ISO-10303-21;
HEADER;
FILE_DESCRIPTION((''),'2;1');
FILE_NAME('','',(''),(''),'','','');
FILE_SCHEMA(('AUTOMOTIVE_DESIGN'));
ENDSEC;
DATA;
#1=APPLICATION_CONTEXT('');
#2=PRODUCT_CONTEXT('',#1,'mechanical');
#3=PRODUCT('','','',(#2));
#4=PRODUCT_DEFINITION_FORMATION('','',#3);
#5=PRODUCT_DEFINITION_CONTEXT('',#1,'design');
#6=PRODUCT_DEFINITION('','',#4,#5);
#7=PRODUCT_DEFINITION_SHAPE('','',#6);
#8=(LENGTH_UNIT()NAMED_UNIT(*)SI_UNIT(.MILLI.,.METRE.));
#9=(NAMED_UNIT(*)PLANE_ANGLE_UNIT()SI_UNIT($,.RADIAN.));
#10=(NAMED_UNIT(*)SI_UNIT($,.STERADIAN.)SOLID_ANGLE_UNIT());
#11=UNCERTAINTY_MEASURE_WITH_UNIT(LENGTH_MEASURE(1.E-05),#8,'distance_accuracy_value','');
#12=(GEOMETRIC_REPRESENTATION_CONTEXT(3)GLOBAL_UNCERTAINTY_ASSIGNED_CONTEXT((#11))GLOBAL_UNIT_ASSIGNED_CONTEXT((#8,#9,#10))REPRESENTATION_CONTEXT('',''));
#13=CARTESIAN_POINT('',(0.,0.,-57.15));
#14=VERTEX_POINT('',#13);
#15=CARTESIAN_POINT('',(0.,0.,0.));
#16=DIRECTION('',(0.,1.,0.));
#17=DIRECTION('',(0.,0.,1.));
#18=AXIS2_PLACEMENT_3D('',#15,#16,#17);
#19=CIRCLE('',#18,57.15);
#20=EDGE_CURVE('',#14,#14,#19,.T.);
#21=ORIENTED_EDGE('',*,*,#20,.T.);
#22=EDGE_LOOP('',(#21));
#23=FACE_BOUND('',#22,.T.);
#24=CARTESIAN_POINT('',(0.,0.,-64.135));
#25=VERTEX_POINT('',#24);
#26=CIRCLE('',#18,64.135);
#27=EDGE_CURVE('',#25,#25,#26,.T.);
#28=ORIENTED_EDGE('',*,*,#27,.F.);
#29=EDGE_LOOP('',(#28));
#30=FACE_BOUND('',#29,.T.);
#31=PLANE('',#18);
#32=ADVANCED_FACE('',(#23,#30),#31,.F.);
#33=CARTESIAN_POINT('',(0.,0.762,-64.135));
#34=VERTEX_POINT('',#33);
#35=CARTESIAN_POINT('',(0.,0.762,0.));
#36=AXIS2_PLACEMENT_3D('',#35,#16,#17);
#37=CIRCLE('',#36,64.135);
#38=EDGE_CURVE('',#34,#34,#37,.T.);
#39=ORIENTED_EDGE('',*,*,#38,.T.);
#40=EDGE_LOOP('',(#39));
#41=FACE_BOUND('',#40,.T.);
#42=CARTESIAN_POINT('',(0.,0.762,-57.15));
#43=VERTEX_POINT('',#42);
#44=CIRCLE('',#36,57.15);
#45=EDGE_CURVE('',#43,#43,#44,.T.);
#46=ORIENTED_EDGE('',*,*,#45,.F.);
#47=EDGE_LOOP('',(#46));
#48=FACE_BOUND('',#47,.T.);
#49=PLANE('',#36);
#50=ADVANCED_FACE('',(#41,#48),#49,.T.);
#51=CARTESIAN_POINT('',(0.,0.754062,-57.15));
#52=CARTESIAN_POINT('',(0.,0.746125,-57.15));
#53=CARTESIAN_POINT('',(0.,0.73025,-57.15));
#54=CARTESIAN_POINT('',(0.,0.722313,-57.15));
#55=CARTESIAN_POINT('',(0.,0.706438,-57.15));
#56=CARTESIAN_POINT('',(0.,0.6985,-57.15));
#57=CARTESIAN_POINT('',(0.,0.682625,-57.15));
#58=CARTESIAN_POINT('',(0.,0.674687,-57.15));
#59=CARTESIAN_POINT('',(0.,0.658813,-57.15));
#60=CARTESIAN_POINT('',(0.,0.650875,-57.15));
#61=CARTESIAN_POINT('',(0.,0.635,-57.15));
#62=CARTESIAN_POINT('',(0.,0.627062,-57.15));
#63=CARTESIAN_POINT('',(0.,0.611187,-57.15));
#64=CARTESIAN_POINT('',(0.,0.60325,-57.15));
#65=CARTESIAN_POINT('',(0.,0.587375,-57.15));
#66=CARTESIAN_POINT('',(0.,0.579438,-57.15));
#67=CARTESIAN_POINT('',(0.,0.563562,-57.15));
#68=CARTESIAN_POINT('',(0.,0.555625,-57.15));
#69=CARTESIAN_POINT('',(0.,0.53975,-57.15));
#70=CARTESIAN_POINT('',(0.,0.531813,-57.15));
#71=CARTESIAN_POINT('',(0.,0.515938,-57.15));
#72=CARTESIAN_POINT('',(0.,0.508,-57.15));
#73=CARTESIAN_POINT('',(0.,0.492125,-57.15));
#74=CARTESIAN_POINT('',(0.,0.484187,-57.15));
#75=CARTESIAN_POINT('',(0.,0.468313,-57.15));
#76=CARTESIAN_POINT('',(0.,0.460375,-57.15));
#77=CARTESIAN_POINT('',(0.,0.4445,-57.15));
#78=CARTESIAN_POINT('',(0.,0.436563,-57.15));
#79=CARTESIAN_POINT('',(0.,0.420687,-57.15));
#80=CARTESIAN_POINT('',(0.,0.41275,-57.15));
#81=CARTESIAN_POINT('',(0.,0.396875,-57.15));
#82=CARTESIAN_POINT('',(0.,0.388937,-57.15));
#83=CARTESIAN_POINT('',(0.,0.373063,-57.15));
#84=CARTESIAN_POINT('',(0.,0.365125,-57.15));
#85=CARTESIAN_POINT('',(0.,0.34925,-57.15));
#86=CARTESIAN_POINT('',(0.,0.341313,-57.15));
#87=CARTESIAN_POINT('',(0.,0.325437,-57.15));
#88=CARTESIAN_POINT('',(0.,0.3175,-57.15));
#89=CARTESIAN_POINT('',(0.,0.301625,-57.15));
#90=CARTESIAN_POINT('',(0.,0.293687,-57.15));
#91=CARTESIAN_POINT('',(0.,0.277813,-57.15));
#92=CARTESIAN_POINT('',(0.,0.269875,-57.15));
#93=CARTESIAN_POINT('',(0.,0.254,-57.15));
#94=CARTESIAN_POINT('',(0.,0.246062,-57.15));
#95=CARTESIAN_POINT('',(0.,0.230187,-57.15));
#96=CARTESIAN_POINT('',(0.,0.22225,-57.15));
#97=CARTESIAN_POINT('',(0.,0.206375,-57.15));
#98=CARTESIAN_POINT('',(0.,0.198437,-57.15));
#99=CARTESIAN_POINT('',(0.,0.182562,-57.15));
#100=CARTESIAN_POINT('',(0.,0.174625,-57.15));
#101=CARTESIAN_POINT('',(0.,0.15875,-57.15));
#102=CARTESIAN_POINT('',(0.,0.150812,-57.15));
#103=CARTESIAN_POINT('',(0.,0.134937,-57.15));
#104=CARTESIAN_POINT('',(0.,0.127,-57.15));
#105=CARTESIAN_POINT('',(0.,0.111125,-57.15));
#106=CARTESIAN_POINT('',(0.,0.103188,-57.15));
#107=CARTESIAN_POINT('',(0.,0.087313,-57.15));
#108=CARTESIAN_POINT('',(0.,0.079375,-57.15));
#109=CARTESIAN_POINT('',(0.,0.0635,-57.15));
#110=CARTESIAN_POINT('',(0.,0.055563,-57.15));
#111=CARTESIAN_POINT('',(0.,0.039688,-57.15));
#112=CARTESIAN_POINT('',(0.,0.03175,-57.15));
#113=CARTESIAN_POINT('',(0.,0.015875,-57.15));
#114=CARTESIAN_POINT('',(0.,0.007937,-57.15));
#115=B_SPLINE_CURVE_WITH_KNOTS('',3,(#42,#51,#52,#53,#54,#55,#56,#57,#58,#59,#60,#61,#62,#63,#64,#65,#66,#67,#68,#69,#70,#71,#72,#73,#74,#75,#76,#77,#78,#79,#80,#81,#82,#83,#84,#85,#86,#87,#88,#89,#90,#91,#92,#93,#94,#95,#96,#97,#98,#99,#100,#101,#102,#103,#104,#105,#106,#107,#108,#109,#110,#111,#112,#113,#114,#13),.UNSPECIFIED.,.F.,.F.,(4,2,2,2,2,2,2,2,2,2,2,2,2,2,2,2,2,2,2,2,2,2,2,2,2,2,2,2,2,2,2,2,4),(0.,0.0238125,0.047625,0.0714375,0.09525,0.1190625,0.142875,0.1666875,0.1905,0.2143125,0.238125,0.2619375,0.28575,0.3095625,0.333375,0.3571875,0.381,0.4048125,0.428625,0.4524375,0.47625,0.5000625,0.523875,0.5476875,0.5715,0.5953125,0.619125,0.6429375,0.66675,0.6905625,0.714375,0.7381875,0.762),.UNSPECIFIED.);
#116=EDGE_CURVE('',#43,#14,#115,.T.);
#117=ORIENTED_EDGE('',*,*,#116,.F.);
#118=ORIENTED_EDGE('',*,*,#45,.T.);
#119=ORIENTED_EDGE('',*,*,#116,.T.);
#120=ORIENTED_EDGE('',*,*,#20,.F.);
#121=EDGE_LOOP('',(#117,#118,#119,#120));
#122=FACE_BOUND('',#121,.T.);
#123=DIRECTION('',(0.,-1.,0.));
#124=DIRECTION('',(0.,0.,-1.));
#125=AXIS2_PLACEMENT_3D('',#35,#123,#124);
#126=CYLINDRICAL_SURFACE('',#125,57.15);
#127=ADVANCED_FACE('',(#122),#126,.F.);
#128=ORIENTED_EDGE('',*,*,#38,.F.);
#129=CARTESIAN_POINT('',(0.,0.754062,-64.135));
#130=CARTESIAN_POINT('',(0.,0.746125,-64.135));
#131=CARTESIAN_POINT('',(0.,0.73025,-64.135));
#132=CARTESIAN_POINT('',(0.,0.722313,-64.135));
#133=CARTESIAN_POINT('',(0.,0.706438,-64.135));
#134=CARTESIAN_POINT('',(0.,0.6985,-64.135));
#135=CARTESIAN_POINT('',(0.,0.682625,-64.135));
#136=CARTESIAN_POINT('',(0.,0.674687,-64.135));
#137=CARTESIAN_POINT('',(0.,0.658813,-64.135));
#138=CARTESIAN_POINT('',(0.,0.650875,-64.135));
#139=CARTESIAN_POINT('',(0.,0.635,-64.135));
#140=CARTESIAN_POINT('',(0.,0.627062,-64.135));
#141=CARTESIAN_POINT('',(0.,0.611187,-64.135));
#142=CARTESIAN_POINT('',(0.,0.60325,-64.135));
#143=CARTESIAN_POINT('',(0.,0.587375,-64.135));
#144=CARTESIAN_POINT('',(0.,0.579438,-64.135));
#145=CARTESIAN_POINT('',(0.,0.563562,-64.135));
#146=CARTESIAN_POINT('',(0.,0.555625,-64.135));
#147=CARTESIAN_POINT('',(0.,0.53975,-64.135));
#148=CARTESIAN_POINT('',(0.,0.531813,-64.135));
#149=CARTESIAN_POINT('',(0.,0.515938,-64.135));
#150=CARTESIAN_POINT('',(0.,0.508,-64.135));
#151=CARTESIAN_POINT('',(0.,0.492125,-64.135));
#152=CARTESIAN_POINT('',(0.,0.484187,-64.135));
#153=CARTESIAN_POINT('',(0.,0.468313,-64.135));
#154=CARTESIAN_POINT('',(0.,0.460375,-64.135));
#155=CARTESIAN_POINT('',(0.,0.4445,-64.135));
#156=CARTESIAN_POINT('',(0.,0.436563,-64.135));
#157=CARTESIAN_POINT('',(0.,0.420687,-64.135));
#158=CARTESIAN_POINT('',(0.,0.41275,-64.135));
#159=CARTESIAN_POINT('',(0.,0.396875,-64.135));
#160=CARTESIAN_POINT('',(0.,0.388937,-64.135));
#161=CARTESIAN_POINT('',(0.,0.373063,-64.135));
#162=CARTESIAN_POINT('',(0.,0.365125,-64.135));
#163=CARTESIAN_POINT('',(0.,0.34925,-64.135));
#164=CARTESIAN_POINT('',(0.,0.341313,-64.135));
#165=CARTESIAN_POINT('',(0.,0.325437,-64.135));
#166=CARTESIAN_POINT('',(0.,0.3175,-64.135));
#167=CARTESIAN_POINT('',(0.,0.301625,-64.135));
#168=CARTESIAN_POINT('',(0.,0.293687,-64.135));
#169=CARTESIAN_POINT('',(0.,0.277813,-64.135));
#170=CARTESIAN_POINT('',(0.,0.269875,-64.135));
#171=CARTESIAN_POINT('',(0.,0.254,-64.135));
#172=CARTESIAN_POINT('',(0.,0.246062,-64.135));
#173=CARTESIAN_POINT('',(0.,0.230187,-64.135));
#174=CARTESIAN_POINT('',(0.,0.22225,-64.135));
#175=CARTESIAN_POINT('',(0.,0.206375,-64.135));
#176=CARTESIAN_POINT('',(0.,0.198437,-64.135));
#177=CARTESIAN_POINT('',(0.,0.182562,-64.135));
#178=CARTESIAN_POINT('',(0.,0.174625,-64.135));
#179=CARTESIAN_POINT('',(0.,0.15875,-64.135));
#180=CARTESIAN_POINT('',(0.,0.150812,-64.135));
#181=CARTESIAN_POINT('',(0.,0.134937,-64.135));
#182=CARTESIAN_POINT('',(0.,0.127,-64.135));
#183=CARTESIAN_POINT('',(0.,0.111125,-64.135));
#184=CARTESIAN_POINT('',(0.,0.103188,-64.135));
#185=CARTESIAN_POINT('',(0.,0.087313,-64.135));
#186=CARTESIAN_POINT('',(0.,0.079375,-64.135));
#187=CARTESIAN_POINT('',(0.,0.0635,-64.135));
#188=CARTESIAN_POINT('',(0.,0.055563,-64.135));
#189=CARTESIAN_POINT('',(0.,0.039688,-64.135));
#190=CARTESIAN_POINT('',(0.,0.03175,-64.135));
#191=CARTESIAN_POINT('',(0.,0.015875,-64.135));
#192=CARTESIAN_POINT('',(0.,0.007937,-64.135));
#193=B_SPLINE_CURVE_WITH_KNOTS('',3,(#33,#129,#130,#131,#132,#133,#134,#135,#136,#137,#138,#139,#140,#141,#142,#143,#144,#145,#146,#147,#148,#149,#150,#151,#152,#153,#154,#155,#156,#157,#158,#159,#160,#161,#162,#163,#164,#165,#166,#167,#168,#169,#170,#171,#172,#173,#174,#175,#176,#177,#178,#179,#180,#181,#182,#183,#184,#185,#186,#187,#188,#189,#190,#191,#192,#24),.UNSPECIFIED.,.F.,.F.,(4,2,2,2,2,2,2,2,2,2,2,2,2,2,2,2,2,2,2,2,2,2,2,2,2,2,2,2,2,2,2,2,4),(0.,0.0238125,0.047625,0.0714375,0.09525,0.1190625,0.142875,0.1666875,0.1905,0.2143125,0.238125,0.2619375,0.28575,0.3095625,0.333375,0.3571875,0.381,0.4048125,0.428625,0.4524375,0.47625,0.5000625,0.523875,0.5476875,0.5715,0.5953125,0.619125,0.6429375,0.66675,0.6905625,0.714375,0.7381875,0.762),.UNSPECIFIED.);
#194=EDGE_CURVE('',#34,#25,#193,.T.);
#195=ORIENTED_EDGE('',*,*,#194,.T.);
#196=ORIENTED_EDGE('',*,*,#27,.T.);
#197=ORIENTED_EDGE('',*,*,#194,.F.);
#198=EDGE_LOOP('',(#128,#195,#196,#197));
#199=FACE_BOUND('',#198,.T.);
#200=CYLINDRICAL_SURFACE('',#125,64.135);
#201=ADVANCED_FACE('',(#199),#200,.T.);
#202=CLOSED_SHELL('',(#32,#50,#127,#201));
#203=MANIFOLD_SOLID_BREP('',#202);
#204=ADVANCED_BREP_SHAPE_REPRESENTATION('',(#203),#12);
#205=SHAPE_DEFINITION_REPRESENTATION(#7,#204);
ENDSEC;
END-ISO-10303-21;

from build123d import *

# Parameters (mm, degrees)
SKETCH1_R           = 64.135
SKETCH1_R_2         = 57.15
BOSS_EXTRUDE1_DEPTH = 0.762


with BuildPart() as part:
    # Sketch1 → Boss-Extrude1 (new body)
    with BuildSketch(Plane(origin=(0, 0, 0), x_dir=(1, 0, 0), z_dir=(0, 1, 0))):
        with Locations(Location((0, 0, 0), (0, 0, 90))):
            Circle(SKETCH1_R)
        with Locations(Location((0, 0, 0), (0, 0, 90))):
            Circle(SKETCH1_R_2, mode=Mode.SUBTRACT)
    extrude(amount=BOSS_EXTRUDE1_DEPTH)


solid = part.part
